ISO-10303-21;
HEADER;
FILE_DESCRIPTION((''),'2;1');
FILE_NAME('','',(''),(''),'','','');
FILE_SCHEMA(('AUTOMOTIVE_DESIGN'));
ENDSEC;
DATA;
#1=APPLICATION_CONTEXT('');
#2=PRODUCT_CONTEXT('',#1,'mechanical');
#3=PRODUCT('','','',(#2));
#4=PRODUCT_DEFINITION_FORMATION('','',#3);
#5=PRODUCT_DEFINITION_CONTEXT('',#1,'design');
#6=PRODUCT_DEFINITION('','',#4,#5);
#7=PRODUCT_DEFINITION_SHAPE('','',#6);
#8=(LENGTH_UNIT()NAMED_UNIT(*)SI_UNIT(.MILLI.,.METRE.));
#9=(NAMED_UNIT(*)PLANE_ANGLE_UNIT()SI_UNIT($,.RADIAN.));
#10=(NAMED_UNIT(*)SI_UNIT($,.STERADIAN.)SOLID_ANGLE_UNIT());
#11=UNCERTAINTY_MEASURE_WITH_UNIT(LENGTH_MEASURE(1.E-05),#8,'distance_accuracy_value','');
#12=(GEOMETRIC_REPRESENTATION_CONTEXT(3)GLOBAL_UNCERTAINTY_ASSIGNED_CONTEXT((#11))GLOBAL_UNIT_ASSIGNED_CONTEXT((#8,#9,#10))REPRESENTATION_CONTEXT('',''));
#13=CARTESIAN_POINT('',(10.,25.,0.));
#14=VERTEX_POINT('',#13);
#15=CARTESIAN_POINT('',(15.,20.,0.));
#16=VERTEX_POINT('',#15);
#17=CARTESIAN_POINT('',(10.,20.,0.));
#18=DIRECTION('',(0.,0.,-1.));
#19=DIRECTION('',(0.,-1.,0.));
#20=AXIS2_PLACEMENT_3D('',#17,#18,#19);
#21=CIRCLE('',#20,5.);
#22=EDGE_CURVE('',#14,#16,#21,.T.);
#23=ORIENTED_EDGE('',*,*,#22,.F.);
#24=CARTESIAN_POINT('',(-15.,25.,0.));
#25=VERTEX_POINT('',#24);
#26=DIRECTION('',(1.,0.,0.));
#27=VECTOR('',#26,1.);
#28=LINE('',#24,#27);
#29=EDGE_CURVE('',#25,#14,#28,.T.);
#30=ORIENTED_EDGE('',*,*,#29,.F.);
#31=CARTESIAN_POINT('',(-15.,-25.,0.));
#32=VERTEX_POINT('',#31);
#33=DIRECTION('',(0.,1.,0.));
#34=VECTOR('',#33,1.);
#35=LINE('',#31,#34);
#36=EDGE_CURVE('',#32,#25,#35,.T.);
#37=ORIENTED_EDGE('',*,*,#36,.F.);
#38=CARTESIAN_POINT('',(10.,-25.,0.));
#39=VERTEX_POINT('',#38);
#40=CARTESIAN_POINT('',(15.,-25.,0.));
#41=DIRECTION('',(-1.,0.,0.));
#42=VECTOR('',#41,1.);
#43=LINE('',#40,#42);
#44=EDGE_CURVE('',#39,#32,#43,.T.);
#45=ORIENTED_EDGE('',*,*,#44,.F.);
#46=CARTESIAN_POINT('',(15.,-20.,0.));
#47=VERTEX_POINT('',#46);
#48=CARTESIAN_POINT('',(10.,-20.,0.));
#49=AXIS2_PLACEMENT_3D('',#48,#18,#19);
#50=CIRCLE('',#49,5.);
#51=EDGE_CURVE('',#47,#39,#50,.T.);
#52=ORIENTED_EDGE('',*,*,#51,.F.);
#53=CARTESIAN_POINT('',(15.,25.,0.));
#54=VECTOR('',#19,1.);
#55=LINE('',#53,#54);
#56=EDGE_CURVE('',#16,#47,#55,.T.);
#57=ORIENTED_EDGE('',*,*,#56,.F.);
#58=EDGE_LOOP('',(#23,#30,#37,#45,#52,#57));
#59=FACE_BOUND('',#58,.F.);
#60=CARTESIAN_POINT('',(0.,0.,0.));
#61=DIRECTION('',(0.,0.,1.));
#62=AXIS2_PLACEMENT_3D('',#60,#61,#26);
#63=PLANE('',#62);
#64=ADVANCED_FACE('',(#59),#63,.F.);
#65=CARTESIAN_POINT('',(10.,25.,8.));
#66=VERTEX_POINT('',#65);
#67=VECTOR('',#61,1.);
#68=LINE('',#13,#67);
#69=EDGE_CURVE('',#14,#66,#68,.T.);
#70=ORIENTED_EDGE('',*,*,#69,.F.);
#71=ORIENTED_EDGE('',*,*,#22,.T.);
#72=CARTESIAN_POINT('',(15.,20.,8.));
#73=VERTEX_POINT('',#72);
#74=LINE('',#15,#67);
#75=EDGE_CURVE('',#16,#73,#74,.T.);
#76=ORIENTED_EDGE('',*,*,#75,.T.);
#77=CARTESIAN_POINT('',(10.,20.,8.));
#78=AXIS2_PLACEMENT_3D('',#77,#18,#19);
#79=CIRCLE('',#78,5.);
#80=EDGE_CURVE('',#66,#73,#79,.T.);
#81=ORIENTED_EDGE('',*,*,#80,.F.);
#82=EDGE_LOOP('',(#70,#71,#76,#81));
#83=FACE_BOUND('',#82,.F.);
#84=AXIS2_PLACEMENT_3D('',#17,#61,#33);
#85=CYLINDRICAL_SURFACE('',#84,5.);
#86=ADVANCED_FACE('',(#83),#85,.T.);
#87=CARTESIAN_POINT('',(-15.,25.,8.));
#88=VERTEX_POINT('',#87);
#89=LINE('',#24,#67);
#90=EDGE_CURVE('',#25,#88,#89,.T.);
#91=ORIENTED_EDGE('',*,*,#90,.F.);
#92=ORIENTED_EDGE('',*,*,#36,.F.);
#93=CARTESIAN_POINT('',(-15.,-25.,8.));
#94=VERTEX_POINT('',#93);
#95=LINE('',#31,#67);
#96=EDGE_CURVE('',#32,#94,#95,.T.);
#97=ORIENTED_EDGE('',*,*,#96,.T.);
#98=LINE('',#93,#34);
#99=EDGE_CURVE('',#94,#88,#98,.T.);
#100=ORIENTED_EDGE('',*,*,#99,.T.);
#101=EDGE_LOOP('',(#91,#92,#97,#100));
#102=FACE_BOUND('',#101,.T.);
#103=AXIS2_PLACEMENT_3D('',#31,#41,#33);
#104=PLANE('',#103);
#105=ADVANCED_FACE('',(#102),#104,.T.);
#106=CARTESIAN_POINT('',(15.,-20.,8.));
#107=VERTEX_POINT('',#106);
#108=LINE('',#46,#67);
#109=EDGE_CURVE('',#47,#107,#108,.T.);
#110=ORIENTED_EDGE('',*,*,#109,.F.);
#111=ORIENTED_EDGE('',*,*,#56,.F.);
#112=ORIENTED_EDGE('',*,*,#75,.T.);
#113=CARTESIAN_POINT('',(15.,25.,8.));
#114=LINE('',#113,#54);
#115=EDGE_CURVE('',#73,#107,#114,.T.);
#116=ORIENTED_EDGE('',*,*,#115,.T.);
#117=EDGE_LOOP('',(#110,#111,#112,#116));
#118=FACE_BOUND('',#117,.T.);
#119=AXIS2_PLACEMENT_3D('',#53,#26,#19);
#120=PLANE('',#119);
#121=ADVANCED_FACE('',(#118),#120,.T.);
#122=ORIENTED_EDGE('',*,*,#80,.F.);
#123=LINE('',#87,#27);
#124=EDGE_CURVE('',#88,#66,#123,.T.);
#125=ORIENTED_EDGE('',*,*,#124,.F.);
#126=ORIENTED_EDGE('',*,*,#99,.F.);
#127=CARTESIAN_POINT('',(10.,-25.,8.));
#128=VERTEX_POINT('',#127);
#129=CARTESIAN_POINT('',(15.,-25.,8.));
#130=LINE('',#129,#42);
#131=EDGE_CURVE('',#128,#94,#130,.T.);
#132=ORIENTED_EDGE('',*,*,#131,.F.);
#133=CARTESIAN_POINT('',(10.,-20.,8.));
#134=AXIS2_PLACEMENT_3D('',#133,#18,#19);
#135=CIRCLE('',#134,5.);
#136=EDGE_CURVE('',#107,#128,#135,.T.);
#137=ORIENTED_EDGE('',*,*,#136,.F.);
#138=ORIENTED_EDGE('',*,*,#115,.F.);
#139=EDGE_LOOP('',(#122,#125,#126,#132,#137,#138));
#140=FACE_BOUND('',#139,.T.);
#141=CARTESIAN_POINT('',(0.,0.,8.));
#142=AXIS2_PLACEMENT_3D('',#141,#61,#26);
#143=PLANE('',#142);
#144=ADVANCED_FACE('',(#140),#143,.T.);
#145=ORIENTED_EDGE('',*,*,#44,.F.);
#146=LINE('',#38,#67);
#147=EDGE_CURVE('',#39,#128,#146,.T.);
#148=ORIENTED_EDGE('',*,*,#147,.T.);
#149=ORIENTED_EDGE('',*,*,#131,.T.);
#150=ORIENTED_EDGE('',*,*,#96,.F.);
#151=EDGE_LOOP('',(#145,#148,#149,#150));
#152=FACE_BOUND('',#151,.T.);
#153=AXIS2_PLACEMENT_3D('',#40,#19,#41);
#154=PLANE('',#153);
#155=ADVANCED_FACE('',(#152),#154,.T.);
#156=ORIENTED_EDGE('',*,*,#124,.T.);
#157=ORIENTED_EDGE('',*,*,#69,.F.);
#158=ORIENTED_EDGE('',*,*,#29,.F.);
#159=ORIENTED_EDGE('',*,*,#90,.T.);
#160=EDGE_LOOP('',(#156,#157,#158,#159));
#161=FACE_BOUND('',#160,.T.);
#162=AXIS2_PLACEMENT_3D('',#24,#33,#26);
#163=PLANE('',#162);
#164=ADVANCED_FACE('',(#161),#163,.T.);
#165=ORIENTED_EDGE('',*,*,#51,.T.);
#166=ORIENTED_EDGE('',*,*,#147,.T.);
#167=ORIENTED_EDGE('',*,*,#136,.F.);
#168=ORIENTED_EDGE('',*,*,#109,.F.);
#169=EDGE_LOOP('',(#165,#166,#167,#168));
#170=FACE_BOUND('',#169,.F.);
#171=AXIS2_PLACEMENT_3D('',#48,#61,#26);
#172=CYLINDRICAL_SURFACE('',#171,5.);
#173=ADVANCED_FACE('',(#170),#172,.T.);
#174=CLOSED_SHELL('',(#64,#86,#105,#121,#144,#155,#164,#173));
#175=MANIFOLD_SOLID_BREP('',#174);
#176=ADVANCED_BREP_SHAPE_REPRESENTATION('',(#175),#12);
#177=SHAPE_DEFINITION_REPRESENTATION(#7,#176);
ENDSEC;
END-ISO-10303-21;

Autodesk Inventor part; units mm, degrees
ref_plane "YZ Plane" through (0, 0, 0) normal (1, 0, 0) x (0, 1, 0)
ref_plane "XZ Plane" through (0, 0, 0) normal (0, 1, 0) x (-1, 0, 0)
ref_plane "XY Plane" through (0, 0, 0) normal (0, 0, 1) x (1, 0, 0)
sketch "Schizzo1" plane through (0, 0, 0) normal (0, 0, 1) x (1, 0, 0)
  line L0 (-15, 25) -> (15, 25)
  line L1 (15, 25) -> (15, -25)
  line L2 (15, -25) -> (-15, -25)
  line L3 (-15, -25) -> (-15, 25)
  line L4 (-15, 25) -> (15, -25) construction
  line L5 (15, 25) -> (-15, -25) construction
  point P0 (0, 0)
  dimension "d0" = 30
  dimension "d1" = 50
extrude "Estrusione1" add sketch "Schizzo1" along normal blind 8
fillet "Raccordo1" radius 5 2 edges at (15, -25, 4) (15, 25, 4)
properties part number "Appoggio pistone supp.saldato"
